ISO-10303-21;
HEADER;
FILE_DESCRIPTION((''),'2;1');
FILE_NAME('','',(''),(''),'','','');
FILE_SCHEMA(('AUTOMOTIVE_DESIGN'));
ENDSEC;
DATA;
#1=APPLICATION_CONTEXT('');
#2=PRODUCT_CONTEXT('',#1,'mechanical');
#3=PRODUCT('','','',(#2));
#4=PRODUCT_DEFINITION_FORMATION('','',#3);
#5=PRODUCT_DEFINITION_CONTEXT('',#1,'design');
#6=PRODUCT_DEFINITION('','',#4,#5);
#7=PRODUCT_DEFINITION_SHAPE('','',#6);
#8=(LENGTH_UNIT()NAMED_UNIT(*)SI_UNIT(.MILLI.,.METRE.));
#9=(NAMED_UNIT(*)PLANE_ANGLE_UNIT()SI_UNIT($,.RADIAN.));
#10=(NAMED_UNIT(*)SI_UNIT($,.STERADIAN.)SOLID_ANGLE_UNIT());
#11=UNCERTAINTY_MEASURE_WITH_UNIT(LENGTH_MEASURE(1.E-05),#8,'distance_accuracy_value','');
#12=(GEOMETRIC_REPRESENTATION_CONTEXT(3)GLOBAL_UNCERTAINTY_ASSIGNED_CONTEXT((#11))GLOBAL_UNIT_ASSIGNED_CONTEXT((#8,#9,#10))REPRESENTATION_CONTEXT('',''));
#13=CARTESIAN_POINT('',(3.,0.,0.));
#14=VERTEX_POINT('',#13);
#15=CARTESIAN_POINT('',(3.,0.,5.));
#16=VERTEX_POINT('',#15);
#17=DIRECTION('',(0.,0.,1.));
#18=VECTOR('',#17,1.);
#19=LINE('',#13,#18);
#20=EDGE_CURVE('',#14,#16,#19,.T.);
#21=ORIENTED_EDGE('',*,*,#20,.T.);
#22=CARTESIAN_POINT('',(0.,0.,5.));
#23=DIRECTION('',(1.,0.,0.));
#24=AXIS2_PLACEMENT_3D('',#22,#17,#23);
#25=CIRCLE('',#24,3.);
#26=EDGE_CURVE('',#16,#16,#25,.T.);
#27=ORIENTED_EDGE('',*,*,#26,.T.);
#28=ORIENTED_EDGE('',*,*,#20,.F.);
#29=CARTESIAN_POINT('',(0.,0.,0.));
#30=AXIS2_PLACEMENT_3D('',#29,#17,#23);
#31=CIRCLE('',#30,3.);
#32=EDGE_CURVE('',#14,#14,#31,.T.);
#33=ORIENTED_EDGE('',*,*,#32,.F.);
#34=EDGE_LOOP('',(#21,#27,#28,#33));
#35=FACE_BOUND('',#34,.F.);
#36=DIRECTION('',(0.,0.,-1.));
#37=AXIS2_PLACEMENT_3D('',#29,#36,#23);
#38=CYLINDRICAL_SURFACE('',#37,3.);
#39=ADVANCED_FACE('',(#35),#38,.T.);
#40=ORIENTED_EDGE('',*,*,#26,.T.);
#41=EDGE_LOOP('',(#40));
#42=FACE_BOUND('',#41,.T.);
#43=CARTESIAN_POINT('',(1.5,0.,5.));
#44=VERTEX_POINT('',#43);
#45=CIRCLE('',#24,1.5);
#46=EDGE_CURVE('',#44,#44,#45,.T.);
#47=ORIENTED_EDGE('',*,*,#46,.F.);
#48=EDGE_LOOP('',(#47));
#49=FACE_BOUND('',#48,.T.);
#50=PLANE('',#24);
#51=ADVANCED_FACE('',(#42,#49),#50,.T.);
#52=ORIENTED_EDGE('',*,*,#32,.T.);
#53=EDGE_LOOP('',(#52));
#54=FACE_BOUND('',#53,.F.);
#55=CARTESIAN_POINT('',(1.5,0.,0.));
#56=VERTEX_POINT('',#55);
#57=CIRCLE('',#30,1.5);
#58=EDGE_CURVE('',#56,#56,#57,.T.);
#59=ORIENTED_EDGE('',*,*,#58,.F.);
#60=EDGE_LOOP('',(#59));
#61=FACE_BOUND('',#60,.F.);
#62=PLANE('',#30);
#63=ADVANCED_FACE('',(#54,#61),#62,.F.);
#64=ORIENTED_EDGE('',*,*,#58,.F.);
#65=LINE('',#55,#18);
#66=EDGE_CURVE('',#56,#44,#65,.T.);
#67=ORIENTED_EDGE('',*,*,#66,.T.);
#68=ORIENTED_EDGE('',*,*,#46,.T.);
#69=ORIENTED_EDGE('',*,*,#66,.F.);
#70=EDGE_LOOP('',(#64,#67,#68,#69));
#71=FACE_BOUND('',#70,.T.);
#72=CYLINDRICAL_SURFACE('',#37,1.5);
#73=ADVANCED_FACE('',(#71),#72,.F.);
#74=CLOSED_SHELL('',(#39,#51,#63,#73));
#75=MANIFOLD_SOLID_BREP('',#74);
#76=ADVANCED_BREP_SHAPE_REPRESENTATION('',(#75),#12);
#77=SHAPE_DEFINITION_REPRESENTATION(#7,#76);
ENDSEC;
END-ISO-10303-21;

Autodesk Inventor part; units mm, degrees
ref_plane "YZ Plane" through (0, 0, 0) normal (1, 0, 0) x (0, 1, 0)
ref_plane "XZ Plane" through (0, 0, 0) normal (0, 1, 0) x (-1, 0, 0)
ref_plane "XY Plane" through (0, 0, 0) normal (0, 0, 1) x (1, 0, 0)
sketch "スケッチ1" plane through (0, 0, 0) normal (0, 0, 1) x (1, 0, 0)
  circle A0 centre (0, 0) radius 3
  circle A1 centre (0, 0) radius 1.5
  dimension "d0" = 6
  dimension "d1" = 3
extrude "押し出し1" add sketch "スケッチ1" along normal blind 5
properties part number "ABSスペーサーm3-5　簡易筒型" material "ABS プラスチック"
